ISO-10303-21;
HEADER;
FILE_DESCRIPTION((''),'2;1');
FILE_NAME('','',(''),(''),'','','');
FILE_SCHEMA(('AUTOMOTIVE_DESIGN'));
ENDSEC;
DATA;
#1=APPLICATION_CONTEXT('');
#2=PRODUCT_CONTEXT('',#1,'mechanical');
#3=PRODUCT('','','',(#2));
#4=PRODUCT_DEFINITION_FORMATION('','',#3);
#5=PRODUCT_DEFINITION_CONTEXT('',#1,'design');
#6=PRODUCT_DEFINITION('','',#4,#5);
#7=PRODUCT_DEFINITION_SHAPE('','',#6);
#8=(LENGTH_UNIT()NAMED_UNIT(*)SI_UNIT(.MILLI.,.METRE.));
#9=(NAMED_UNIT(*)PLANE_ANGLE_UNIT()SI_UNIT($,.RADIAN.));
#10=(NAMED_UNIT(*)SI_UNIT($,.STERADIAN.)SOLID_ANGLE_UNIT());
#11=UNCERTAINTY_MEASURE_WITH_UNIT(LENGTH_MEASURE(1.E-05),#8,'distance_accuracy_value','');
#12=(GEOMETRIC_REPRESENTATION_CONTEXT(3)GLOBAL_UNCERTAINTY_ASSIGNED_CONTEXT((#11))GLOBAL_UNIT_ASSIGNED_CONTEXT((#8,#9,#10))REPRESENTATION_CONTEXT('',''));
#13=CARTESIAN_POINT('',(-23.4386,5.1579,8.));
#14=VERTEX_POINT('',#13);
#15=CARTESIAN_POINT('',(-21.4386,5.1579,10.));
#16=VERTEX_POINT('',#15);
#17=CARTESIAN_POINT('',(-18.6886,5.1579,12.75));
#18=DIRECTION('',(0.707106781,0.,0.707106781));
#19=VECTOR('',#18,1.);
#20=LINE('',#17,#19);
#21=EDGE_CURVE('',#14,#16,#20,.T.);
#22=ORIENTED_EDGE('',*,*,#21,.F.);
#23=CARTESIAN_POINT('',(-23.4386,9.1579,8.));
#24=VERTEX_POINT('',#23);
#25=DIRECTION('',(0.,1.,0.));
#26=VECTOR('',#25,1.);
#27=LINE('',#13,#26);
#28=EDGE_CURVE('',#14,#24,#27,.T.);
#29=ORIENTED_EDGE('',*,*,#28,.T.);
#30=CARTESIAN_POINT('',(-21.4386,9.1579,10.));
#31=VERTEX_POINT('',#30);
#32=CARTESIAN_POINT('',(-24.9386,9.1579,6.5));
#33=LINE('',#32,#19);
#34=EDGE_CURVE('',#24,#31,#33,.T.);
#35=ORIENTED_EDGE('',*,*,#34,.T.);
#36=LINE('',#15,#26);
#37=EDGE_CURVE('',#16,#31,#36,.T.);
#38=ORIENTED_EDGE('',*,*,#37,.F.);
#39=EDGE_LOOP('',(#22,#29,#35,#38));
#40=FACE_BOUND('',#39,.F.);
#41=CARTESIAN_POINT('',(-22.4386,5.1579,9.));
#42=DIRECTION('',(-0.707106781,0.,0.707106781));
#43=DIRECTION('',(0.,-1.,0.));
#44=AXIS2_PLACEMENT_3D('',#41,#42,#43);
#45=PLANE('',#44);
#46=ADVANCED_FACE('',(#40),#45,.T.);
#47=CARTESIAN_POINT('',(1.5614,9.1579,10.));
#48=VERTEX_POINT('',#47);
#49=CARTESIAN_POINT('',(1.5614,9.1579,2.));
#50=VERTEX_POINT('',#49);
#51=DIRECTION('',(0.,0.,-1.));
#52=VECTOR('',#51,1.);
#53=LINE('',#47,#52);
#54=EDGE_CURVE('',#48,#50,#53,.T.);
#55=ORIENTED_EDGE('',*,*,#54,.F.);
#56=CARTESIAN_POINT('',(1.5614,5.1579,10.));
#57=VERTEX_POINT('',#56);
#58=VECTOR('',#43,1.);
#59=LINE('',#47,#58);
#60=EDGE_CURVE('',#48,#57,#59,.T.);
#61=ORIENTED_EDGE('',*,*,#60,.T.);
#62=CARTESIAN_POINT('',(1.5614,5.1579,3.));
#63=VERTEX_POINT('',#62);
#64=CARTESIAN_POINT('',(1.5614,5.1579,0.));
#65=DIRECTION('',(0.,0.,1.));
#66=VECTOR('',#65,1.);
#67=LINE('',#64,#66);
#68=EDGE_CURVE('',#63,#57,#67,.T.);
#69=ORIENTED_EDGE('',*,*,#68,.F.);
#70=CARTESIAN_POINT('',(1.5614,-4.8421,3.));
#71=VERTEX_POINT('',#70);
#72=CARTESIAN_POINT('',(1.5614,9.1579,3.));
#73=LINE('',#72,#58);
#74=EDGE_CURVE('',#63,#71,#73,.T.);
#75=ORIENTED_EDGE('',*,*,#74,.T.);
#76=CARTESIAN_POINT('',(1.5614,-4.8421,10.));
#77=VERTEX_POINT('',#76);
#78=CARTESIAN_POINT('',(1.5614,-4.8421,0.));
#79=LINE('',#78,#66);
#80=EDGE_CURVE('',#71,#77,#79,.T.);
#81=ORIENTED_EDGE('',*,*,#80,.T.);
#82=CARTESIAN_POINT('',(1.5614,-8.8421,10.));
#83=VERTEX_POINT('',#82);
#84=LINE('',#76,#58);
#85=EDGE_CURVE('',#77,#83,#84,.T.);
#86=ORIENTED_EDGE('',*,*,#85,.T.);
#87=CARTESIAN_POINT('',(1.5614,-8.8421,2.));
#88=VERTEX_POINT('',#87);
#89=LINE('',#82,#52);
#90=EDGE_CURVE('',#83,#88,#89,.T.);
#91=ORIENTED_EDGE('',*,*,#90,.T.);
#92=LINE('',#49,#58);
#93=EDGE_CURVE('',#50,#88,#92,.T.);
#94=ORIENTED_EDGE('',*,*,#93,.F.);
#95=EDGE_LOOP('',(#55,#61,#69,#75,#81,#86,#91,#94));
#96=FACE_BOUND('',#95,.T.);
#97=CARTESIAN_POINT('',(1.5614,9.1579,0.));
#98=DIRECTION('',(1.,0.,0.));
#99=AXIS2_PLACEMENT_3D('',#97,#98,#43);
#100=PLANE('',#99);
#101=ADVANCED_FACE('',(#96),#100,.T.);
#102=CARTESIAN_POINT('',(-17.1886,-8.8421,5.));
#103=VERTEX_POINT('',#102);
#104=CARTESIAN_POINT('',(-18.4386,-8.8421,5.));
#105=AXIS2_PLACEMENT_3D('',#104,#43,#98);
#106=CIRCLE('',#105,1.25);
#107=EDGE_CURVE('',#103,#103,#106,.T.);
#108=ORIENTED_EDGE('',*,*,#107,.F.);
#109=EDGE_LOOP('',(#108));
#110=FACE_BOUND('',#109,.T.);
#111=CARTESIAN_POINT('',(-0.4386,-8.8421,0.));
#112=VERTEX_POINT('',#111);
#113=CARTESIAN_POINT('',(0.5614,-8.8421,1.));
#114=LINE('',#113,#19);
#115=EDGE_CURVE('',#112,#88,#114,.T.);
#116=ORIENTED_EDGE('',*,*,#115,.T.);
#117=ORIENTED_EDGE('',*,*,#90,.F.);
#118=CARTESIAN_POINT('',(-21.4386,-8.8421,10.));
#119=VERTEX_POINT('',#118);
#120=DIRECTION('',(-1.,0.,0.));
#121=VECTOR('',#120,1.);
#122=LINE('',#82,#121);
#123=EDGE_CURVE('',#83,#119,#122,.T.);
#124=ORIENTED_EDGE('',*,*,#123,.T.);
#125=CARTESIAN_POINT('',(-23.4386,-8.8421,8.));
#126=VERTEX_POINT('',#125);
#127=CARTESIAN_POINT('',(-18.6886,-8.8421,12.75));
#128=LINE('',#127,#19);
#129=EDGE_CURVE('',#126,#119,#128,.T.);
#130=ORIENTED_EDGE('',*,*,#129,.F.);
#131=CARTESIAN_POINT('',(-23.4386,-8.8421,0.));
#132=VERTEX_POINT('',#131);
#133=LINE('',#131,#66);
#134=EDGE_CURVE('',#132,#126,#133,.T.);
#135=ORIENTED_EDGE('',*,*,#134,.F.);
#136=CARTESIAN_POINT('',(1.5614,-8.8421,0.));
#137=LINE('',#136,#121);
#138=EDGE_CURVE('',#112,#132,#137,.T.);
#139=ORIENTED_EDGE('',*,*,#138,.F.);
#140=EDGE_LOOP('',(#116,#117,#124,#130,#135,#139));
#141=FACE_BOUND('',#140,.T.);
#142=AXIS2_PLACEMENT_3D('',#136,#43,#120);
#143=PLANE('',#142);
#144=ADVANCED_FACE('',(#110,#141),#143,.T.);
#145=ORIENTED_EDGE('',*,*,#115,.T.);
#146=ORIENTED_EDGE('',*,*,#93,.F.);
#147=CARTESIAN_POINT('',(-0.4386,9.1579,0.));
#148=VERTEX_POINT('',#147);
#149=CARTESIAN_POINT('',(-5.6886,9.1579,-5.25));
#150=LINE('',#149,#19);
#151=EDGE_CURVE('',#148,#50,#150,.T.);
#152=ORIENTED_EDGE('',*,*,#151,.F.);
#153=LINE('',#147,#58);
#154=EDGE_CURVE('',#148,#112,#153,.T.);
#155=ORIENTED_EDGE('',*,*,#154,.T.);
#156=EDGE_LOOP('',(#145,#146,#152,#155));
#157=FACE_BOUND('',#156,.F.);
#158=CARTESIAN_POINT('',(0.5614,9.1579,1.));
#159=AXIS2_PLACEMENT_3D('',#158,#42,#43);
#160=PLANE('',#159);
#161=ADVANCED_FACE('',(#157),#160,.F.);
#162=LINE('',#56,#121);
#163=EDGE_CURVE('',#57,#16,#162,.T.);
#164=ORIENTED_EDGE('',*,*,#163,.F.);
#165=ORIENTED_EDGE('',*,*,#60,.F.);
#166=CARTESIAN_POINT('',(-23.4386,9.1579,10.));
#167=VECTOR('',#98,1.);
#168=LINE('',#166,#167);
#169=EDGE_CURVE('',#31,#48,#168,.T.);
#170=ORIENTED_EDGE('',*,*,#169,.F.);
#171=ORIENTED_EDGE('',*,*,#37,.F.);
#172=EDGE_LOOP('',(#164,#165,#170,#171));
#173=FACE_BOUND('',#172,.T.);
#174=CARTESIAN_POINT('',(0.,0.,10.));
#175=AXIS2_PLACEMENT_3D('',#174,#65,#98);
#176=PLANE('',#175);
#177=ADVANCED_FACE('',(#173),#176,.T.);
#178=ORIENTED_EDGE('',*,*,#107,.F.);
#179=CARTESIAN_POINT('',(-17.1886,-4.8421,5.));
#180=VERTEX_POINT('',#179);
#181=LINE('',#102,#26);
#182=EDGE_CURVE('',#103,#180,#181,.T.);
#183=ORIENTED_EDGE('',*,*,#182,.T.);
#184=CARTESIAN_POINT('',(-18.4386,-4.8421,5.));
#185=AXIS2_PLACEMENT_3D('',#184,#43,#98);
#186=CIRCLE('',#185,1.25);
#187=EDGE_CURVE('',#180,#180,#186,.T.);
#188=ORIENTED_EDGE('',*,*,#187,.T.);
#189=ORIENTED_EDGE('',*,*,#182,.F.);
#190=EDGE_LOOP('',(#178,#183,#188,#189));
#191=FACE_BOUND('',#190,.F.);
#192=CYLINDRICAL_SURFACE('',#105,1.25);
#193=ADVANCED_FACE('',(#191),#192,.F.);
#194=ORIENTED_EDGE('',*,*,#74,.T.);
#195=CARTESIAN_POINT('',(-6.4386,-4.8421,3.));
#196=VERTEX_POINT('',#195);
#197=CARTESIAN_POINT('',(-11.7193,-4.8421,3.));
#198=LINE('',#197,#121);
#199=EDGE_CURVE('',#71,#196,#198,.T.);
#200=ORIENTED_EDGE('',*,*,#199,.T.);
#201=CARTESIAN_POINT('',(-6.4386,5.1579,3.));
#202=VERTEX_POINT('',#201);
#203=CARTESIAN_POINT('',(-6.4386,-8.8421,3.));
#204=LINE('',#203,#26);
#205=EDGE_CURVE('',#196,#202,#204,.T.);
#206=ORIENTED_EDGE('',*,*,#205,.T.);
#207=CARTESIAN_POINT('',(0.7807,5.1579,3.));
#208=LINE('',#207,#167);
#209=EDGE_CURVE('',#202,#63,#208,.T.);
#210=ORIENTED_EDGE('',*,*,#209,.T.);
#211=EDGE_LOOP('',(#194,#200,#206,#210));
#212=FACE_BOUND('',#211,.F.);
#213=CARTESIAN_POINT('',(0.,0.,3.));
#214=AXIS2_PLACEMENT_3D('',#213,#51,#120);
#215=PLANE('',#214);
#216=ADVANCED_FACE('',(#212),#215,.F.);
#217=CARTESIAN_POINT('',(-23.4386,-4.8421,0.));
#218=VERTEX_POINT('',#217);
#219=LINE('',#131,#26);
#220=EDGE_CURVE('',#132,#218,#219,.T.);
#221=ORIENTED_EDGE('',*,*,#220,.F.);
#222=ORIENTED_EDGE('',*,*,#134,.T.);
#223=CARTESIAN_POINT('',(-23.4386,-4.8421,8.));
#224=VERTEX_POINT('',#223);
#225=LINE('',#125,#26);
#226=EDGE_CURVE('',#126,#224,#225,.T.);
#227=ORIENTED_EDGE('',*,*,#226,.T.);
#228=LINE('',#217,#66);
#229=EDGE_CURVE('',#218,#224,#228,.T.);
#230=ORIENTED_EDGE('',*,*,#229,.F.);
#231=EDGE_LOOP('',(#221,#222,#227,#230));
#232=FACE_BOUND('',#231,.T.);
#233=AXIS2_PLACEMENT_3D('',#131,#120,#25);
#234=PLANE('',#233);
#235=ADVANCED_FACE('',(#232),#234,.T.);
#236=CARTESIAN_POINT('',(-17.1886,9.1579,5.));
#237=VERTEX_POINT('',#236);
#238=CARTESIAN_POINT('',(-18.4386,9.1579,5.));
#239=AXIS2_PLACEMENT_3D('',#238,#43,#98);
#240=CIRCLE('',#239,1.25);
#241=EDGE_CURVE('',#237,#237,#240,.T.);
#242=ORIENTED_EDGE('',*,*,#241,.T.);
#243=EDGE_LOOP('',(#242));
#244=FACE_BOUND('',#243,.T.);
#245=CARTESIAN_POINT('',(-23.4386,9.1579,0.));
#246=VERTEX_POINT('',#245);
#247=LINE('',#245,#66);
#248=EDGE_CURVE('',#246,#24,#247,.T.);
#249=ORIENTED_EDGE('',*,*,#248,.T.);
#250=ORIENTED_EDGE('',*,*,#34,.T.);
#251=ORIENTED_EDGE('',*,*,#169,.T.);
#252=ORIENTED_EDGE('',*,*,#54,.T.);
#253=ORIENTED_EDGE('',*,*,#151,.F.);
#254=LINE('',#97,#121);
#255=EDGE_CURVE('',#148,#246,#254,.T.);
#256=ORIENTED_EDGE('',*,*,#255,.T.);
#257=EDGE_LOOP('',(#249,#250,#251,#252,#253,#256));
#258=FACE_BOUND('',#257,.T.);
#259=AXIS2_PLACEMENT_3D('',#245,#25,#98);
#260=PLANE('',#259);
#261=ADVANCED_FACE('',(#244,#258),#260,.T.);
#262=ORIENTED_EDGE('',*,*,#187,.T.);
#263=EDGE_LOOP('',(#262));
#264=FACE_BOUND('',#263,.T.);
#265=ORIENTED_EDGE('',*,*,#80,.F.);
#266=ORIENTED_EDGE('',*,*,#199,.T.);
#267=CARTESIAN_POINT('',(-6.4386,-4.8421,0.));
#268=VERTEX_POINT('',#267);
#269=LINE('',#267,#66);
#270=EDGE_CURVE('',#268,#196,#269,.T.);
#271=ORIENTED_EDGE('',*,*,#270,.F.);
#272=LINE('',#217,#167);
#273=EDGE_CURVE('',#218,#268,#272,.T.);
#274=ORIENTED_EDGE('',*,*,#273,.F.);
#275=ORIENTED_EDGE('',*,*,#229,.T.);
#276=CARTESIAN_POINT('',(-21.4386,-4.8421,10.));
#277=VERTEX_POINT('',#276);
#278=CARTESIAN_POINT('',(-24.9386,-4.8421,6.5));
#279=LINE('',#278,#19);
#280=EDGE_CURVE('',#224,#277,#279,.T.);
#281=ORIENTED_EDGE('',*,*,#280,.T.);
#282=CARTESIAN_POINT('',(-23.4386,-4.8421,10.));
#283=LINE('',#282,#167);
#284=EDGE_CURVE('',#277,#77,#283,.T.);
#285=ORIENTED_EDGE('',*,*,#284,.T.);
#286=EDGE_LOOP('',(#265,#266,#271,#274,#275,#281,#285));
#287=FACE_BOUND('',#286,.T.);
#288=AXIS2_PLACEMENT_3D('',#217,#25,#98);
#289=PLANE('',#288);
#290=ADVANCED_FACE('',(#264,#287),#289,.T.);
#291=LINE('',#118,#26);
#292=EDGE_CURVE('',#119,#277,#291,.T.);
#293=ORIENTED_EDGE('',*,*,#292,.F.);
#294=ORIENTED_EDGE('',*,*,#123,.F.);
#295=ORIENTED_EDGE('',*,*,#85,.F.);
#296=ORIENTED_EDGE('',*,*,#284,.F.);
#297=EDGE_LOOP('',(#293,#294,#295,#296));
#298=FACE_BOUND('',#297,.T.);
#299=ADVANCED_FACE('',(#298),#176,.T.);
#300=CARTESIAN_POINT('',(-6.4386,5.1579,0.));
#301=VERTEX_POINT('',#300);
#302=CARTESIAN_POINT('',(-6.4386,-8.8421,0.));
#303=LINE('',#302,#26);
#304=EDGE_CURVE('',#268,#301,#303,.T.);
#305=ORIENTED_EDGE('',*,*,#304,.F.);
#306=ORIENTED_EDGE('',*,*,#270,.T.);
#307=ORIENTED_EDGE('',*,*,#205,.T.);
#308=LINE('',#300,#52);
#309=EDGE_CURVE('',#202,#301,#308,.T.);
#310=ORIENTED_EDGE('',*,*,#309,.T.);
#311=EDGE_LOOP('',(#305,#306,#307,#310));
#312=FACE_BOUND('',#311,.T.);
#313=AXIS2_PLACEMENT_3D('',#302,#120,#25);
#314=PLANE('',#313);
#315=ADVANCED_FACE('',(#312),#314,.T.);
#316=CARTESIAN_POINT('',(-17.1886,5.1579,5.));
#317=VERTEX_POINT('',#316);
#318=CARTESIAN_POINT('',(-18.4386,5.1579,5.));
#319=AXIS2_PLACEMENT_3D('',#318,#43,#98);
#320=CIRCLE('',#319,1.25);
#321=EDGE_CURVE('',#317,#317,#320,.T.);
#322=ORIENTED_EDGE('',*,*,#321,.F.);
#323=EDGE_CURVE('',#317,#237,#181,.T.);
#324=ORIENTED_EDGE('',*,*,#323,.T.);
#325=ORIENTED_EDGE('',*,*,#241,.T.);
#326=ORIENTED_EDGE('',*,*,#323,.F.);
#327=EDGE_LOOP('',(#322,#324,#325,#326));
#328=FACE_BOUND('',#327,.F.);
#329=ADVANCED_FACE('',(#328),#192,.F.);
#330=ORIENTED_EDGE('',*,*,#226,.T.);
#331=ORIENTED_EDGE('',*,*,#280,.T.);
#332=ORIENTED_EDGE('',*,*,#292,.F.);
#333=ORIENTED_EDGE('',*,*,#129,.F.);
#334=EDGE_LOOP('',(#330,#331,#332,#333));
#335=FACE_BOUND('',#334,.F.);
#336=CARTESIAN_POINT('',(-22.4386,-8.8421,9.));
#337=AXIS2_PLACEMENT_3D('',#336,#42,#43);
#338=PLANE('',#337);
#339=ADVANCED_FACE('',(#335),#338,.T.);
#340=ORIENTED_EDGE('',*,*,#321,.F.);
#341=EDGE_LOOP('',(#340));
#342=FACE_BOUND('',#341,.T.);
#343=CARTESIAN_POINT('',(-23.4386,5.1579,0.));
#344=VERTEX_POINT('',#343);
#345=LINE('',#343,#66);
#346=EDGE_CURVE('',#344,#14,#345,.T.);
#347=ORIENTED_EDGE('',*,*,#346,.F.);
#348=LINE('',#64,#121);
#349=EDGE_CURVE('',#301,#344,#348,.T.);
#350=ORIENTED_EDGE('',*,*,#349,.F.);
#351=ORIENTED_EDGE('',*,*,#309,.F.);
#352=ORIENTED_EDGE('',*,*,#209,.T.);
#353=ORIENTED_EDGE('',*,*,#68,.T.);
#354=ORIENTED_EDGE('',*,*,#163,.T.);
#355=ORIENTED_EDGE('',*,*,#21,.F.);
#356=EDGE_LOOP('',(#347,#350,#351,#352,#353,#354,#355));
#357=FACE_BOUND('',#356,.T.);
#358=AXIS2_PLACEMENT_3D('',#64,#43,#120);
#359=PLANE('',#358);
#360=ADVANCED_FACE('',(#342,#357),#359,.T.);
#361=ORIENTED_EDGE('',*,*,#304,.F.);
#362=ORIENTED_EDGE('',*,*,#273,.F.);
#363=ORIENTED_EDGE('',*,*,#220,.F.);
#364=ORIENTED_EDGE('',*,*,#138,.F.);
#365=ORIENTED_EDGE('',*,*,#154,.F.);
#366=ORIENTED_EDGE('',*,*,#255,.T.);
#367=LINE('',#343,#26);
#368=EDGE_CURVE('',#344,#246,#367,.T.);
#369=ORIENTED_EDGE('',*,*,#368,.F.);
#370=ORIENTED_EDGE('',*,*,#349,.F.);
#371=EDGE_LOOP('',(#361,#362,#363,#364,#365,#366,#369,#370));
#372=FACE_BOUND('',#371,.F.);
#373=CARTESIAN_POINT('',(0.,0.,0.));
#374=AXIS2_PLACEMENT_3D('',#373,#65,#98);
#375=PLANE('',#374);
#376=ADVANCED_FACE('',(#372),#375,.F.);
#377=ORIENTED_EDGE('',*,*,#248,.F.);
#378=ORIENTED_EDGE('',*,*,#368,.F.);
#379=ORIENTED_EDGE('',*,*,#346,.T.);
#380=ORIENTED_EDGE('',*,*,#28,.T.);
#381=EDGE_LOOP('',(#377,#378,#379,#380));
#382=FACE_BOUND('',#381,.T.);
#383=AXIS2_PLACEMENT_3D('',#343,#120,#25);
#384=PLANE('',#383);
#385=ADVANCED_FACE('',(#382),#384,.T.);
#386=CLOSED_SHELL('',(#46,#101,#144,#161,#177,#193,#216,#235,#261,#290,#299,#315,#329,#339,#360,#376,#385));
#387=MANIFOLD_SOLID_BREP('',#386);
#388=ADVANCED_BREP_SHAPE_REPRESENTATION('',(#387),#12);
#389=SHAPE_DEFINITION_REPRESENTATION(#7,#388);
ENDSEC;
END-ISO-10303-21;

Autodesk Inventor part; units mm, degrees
ref_plane "YZ Plane" through (0, 0, 0) normal (1, 0, 0) x (0, 1, 0)
ref_plane "XZ Plane" through (0, 0, 0) normal (0, 1, 0) x (-1, 0, 0)
ref_plane "XY Plane" through (0, 0, 0) normal (0, 0, 1) x (1, 0, 0)
sketch "Sketch1" plane through (0, 0, 0) normal (0, 0, 1) x (1, 0, 0)
  line L0 (-23.4386, 9.1579) -> (1.5614, 9.1579)
  line L1 (1.5614, 9.1579) -> (1.5614, 5.1579)
  line L2 (1.5614, 5.1579) -> (-23.4386, 5.1579)
  line L3 (-23.4386, 5.1579) -> (-23.4386, 9.1579)
  line L4 (-23.4386, -4.8421) -> (1.5614, -4.8421)
  line L5 (1.5614, -4.8421) -> (1.5614, -8.8421)
  line L6 (1.5614, -8.8421) -> (-23.4386, -8.8421)
  line L7 (-23.4386, -8.8421) -> (-23.4386, -4.8421)
  point P0 (0, 0)
  dimension "d0" = 4
  dimension "d1" = 4
  dimension "d2" = 10
  dimension "d3" = 25
  dimension "d4" = 25
extrude "Extrusion1" add sketch "Sketch1" along normal blind 10
sketch "Sketch2" plane through (0, 0, 0) normal (0, 0, -1) x (-1, 0, 0)
  line L0 (-1.5614, -8.8421) -> (6.4386, -8.8421)
  line L1 (6.4386, -8.8421) -> (6.4386, 9.1579)
  line L2 (6.4386, 9.1579) -> (-1.5614, 9.1579)
  line L3 (-1.5614, 9.1579) -> (-1.5614, -8.8421)
  line L4 (23.4386, 9.1579) -> (-1.5614, 9.1579) projected
  point P0 (0, 0)
  dimension "d7" = 8
extrude "Extrusion2" add sketch "Sketch2" against normal blind 3
sketch "Sketch3" plane through (-23.4386, -8.8421, 0) normal (0, -1, 0) x (1, 0, 0)
  line L0 (0, 0) -> (0, 10) projected
  circle A0 centre (5, 5) radius 1.25
  point P0 (23.4386, 0)
  dimension "d10" = 5
  dimension "d11" = 2.5
extrude "Extrusion3" cut sketch "Sketch3" against normal blind 30
chamfer "Chamfer1" distance 2 angle 45 1 edges at (1.5614, 0.1579, 0)
chamfer "Chamfer2" distance 2 angle 45 2 edges at (-23.4386, 7.1579, 10) (-23.4386, -6.8421, 10)
properties part number "Top pully rack"
